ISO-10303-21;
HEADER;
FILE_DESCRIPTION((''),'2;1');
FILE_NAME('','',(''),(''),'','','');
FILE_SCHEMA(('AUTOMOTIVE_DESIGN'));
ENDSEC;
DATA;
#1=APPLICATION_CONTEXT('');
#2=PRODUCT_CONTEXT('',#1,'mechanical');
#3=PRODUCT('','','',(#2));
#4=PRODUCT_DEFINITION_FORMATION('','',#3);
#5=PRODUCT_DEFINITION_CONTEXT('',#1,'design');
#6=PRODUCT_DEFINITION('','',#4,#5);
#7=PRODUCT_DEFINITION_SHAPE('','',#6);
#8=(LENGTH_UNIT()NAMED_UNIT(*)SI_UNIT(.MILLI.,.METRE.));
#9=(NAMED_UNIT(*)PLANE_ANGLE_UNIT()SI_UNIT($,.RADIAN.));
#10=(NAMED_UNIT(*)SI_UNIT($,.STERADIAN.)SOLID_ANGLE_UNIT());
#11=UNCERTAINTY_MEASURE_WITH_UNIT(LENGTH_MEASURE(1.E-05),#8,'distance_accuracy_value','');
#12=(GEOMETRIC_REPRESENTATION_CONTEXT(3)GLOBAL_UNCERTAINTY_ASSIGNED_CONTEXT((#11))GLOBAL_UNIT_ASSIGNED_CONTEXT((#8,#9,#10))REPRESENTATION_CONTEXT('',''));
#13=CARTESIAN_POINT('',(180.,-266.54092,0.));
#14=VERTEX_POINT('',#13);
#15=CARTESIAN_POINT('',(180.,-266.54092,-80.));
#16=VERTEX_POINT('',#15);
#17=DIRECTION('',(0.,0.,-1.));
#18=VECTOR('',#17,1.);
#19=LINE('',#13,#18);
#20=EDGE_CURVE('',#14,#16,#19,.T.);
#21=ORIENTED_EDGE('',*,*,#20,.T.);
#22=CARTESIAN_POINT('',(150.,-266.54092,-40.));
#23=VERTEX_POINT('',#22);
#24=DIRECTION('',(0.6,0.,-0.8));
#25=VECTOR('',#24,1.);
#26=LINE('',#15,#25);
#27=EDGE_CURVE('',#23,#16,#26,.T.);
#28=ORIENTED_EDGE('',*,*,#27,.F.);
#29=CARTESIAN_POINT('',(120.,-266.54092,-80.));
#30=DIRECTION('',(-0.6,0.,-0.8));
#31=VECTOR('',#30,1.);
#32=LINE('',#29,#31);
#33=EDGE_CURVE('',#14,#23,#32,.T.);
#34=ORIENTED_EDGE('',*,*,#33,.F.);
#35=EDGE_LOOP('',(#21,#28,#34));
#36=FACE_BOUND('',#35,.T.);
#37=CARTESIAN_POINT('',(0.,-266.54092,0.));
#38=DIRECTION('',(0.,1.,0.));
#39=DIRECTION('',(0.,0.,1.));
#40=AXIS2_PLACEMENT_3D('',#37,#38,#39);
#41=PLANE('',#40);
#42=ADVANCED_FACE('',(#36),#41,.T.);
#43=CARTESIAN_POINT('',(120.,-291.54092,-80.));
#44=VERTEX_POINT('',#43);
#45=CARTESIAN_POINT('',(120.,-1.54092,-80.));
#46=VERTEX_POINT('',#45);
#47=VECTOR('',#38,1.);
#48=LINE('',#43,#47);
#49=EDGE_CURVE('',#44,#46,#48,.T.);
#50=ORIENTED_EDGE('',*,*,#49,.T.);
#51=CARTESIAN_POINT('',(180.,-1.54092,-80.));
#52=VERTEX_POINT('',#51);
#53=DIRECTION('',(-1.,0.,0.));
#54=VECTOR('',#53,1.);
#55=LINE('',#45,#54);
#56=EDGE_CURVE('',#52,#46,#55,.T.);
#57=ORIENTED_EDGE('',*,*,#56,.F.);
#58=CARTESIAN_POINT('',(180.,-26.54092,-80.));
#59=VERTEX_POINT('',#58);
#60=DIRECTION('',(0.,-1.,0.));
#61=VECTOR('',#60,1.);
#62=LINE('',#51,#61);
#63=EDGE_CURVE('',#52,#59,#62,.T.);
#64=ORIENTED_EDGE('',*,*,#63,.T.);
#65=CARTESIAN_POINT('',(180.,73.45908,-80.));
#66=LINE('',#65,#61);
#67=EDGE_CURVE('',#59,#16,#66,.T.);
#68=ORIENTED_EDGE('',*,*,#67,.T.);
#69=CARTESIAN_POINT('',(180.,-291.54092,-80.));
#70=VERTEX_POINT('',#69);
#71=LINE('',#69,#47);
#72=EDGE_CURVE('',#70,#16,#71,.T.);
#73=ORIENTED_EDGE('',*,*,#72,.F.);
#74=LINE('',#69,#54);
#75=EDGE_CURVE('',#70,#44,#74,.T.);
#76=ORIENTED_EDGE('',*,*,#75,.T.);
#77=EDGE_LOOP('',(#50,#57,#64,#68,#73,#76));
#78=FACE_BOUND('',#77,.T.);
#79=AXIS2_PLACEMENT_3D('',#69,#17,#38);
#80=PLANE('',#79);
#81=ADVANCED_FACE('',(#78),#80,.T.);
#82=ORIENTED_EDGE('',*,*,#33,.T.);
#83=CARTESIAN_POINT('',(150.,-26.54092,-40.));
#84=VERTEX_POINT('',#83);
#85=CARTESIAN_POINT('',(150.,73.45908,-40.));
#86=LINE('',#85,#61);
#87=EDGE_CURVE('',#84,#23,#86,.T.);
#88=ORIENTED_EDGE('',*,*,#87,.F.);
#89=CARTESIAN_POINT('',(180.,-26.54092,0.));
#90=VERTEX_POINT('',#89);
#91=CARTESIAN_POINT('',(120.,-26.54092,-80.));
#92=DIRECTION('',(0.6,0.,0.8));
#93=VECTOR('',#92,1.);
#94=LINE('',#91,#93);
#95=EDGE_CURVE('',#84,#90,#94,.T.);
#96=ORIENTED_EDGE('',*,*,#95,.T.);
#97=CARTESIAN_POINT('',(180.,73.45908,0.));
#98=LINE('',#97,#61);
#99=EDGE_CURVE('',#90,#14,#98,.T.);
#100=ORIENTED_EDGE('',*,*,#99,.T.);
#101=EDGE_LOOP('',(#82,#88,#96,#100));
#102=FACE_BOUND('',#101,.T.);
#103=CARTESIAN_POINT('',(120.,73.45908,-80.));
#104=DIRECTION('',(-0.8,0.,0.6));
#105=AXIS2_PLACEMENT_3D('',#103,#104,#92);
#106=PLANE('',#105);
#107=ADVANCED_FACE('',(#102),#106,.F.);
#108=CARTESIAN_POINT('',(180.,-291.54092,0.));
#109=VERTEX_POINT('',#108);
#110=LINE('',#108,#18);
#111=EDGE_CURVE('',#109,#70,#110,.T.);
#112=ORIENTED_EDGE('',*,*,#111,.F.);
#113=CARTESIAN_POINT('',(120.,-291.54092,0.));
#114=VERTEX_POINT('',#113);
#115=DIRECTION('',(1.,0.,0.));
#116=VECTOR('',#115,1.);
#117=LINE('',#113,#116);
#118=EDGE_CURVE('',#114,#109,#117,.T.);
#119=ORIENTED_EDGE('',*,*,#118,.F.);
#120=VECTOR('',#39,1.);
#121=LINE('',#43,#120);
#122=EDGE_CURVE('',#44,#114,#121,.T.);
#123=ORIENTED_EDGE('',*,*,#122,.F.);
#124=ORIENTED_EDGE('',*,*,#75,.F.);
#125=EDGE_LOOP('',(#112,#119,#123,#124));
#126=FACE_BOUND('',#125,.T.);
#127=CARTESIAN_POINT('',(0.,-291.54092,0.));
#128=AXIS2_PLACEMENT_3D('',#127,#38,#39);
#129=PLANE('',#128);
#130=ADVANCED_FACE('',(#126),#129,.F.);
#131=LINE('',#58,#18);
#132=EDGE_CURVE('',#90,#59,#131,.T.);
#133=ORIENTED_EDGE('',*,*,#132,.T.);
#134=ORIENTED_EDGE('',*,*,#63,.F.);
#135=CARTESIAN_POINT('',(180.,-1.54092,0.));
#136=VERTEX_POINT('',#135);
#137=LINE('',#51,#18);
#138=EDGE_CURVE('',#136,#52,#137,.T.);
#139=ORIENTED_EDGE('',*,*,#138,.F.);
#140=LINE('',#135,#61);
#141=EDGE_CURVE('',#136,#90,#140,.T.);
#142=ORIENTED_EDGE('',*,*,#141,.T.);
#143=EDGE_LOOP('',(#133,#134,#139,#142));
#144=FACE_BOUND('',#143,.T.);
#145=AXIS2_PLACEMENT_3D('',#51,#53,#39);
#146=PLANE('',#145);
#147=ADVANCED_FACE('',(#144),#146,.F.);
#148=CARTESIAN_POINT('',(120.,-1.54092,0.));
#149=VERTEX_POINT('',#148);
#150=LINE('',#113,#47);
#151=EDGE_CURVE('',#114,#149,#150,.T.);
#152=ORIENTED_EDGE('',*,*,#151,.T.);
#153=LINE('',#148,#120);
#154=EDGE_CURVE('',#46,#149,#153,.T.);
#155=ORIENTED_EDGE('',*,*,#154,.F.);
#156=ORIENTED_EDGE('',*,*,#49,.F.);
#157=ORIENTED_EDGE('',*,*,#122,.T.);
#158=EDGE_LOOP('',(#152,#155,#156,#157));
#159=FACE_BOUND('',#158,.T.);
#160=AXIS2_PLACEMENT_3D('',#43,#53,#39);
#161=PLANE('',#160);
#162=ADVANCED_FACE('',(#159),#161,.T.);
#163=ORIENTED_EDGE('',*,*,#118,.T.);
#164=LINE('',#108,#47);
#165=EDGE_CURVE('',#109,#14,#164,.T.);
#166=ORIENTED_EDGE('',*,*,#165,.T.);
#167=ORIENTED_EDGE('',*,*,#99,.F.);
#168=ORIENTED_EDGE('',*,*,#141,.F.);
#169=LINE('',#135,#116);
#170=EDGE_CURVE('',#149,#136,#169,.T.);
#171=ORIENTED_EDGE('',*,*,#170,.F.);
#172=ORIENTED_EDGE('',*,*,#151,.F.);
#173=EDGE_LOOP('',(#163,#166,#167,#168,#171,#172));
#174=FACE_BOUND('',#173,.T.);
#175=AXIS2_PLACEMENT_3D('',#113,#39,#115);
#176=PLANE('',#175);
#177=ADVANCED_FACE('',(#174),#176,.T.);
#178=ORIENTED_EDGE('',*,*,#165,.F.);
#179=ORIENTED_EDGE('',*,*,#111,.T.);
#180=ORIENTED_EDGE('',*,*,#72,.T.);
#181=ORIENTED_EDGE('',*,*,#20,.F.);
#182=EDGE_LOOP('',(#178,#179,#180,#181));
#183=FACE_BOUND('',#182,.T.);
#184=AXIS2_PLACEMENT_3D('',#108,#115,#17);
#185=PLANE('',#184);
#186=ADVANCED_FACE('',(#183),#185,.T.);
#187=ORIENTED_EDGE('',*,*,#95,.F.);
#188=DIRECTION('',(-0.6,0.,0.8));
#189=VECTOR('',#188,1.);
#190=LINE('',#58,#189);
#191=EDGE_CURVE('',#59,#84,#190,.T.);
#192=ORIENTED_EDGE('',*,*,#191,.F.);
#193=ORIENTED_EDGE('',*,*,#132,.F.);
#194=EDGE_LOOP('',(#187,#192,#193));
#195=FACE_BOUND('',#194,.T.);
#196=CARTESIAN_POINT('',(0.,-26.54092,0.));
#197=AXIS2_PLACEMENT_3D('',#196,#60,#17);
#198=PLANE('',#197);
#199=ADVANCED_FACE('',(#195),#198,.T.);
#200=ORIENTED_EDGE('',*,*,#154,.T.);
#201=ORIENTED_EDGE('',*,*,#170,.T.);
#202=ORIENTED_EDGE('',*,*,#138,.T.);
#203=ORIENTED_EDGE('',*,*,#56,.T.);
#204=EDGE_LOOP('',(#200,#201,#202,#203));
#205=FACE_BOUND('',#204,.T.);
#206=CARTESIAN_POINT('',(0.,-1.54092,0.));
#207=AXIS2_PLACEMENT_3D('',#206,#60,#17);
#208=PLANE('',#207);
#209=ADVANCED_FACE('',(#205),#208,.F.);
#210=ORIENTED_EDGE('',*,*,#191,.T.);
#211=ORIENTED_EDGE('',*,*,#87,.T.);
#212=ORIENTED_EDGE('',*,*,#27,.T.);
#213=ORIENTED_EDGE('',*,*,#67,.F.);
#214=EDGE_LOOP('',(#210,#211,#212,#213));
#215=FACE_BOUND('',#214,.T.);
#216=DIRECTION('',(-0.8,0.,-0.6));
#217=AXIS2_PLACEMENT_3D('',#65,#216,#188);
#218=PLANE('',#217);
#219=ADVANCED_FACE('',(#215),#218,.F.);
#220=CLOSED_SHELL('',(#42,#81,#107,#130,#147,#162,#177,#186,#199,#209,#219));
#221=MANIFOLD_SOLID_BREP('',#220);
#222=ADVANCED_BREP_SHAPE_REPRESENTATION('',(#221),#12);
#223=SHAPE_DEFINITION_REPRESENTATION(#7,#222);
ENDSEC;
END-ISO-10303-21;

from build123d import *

# Parameters (mm, degrees)
SKETCH3_W           = 60
SKETCH3_H           = 80
BOSS_EXTRUDE1_DEPTH = 25
SKETCH4_W           = 60
SKETCH4_H           = 80
BOSS_EXTRUDE2_DEPTH = 25
BOSS_EXTRUDE3_DEPTH = 240
BOSS_EXTRUDE4_DEPTH = 240


with BuildPart() as part:
    # Sketch3 → Boss-Extrude1 (new body)
    with BuildSketch(Plane(origin=(0, -266.5409196, 0), x_dir=(-1, 0, 0), z_dir=(0, -1, 0))):
        with Locations((-150, 40)):
            Rectangle(SKETCH3_W, SKETCH3_H)
    extrude(amount=BOSS_EXTRUDE1_DEPTH)



with BuildPart() as body_2:
    # Sketch4 → Boss-Extrude2 (new body)
    with BuildSketch(Plane(origin=(0, -26.5409196, 0), x_dir=(1, 0, 0), z_dir=(0, 1, 0))):
        with Locations((150, 40)):
            Rectangle(SKETCH4_W, SKETCH4_H)
    extrude(amount=BOSS_EXTRUDE2_DEPTH)


with BuildPart() as part_1:
    add(part.part)

    add(body_2.part)  # Boss-Extrude3 merges body 2
    # Sketch5 → Boss-Extrude3 (add)
    with BuildSketch(Plane(origin=(0, -266.5409196, 0), x_dir=(1, 0, 0), z_dir=(0, 1, 0))):
        Polygon((120, 80), (180, 0), (120, 0), align=None)
    extrude(amount=BOSS_EXTRUDE3_DEPTH)

    # Sketch6 → Boss-Extrude4 (add)
    with BuildSketch(Plane(origin=(0, -266.5409196, 0), x_dir=(1, 0, 0), z_dir=(0, 1, 0))):
        Polygon((120, 80), (180, 80), (120, 0), align=None)
    extrude(amount=BOSS_EXTRUDE4_DEPTH)


solid = part_1.part
